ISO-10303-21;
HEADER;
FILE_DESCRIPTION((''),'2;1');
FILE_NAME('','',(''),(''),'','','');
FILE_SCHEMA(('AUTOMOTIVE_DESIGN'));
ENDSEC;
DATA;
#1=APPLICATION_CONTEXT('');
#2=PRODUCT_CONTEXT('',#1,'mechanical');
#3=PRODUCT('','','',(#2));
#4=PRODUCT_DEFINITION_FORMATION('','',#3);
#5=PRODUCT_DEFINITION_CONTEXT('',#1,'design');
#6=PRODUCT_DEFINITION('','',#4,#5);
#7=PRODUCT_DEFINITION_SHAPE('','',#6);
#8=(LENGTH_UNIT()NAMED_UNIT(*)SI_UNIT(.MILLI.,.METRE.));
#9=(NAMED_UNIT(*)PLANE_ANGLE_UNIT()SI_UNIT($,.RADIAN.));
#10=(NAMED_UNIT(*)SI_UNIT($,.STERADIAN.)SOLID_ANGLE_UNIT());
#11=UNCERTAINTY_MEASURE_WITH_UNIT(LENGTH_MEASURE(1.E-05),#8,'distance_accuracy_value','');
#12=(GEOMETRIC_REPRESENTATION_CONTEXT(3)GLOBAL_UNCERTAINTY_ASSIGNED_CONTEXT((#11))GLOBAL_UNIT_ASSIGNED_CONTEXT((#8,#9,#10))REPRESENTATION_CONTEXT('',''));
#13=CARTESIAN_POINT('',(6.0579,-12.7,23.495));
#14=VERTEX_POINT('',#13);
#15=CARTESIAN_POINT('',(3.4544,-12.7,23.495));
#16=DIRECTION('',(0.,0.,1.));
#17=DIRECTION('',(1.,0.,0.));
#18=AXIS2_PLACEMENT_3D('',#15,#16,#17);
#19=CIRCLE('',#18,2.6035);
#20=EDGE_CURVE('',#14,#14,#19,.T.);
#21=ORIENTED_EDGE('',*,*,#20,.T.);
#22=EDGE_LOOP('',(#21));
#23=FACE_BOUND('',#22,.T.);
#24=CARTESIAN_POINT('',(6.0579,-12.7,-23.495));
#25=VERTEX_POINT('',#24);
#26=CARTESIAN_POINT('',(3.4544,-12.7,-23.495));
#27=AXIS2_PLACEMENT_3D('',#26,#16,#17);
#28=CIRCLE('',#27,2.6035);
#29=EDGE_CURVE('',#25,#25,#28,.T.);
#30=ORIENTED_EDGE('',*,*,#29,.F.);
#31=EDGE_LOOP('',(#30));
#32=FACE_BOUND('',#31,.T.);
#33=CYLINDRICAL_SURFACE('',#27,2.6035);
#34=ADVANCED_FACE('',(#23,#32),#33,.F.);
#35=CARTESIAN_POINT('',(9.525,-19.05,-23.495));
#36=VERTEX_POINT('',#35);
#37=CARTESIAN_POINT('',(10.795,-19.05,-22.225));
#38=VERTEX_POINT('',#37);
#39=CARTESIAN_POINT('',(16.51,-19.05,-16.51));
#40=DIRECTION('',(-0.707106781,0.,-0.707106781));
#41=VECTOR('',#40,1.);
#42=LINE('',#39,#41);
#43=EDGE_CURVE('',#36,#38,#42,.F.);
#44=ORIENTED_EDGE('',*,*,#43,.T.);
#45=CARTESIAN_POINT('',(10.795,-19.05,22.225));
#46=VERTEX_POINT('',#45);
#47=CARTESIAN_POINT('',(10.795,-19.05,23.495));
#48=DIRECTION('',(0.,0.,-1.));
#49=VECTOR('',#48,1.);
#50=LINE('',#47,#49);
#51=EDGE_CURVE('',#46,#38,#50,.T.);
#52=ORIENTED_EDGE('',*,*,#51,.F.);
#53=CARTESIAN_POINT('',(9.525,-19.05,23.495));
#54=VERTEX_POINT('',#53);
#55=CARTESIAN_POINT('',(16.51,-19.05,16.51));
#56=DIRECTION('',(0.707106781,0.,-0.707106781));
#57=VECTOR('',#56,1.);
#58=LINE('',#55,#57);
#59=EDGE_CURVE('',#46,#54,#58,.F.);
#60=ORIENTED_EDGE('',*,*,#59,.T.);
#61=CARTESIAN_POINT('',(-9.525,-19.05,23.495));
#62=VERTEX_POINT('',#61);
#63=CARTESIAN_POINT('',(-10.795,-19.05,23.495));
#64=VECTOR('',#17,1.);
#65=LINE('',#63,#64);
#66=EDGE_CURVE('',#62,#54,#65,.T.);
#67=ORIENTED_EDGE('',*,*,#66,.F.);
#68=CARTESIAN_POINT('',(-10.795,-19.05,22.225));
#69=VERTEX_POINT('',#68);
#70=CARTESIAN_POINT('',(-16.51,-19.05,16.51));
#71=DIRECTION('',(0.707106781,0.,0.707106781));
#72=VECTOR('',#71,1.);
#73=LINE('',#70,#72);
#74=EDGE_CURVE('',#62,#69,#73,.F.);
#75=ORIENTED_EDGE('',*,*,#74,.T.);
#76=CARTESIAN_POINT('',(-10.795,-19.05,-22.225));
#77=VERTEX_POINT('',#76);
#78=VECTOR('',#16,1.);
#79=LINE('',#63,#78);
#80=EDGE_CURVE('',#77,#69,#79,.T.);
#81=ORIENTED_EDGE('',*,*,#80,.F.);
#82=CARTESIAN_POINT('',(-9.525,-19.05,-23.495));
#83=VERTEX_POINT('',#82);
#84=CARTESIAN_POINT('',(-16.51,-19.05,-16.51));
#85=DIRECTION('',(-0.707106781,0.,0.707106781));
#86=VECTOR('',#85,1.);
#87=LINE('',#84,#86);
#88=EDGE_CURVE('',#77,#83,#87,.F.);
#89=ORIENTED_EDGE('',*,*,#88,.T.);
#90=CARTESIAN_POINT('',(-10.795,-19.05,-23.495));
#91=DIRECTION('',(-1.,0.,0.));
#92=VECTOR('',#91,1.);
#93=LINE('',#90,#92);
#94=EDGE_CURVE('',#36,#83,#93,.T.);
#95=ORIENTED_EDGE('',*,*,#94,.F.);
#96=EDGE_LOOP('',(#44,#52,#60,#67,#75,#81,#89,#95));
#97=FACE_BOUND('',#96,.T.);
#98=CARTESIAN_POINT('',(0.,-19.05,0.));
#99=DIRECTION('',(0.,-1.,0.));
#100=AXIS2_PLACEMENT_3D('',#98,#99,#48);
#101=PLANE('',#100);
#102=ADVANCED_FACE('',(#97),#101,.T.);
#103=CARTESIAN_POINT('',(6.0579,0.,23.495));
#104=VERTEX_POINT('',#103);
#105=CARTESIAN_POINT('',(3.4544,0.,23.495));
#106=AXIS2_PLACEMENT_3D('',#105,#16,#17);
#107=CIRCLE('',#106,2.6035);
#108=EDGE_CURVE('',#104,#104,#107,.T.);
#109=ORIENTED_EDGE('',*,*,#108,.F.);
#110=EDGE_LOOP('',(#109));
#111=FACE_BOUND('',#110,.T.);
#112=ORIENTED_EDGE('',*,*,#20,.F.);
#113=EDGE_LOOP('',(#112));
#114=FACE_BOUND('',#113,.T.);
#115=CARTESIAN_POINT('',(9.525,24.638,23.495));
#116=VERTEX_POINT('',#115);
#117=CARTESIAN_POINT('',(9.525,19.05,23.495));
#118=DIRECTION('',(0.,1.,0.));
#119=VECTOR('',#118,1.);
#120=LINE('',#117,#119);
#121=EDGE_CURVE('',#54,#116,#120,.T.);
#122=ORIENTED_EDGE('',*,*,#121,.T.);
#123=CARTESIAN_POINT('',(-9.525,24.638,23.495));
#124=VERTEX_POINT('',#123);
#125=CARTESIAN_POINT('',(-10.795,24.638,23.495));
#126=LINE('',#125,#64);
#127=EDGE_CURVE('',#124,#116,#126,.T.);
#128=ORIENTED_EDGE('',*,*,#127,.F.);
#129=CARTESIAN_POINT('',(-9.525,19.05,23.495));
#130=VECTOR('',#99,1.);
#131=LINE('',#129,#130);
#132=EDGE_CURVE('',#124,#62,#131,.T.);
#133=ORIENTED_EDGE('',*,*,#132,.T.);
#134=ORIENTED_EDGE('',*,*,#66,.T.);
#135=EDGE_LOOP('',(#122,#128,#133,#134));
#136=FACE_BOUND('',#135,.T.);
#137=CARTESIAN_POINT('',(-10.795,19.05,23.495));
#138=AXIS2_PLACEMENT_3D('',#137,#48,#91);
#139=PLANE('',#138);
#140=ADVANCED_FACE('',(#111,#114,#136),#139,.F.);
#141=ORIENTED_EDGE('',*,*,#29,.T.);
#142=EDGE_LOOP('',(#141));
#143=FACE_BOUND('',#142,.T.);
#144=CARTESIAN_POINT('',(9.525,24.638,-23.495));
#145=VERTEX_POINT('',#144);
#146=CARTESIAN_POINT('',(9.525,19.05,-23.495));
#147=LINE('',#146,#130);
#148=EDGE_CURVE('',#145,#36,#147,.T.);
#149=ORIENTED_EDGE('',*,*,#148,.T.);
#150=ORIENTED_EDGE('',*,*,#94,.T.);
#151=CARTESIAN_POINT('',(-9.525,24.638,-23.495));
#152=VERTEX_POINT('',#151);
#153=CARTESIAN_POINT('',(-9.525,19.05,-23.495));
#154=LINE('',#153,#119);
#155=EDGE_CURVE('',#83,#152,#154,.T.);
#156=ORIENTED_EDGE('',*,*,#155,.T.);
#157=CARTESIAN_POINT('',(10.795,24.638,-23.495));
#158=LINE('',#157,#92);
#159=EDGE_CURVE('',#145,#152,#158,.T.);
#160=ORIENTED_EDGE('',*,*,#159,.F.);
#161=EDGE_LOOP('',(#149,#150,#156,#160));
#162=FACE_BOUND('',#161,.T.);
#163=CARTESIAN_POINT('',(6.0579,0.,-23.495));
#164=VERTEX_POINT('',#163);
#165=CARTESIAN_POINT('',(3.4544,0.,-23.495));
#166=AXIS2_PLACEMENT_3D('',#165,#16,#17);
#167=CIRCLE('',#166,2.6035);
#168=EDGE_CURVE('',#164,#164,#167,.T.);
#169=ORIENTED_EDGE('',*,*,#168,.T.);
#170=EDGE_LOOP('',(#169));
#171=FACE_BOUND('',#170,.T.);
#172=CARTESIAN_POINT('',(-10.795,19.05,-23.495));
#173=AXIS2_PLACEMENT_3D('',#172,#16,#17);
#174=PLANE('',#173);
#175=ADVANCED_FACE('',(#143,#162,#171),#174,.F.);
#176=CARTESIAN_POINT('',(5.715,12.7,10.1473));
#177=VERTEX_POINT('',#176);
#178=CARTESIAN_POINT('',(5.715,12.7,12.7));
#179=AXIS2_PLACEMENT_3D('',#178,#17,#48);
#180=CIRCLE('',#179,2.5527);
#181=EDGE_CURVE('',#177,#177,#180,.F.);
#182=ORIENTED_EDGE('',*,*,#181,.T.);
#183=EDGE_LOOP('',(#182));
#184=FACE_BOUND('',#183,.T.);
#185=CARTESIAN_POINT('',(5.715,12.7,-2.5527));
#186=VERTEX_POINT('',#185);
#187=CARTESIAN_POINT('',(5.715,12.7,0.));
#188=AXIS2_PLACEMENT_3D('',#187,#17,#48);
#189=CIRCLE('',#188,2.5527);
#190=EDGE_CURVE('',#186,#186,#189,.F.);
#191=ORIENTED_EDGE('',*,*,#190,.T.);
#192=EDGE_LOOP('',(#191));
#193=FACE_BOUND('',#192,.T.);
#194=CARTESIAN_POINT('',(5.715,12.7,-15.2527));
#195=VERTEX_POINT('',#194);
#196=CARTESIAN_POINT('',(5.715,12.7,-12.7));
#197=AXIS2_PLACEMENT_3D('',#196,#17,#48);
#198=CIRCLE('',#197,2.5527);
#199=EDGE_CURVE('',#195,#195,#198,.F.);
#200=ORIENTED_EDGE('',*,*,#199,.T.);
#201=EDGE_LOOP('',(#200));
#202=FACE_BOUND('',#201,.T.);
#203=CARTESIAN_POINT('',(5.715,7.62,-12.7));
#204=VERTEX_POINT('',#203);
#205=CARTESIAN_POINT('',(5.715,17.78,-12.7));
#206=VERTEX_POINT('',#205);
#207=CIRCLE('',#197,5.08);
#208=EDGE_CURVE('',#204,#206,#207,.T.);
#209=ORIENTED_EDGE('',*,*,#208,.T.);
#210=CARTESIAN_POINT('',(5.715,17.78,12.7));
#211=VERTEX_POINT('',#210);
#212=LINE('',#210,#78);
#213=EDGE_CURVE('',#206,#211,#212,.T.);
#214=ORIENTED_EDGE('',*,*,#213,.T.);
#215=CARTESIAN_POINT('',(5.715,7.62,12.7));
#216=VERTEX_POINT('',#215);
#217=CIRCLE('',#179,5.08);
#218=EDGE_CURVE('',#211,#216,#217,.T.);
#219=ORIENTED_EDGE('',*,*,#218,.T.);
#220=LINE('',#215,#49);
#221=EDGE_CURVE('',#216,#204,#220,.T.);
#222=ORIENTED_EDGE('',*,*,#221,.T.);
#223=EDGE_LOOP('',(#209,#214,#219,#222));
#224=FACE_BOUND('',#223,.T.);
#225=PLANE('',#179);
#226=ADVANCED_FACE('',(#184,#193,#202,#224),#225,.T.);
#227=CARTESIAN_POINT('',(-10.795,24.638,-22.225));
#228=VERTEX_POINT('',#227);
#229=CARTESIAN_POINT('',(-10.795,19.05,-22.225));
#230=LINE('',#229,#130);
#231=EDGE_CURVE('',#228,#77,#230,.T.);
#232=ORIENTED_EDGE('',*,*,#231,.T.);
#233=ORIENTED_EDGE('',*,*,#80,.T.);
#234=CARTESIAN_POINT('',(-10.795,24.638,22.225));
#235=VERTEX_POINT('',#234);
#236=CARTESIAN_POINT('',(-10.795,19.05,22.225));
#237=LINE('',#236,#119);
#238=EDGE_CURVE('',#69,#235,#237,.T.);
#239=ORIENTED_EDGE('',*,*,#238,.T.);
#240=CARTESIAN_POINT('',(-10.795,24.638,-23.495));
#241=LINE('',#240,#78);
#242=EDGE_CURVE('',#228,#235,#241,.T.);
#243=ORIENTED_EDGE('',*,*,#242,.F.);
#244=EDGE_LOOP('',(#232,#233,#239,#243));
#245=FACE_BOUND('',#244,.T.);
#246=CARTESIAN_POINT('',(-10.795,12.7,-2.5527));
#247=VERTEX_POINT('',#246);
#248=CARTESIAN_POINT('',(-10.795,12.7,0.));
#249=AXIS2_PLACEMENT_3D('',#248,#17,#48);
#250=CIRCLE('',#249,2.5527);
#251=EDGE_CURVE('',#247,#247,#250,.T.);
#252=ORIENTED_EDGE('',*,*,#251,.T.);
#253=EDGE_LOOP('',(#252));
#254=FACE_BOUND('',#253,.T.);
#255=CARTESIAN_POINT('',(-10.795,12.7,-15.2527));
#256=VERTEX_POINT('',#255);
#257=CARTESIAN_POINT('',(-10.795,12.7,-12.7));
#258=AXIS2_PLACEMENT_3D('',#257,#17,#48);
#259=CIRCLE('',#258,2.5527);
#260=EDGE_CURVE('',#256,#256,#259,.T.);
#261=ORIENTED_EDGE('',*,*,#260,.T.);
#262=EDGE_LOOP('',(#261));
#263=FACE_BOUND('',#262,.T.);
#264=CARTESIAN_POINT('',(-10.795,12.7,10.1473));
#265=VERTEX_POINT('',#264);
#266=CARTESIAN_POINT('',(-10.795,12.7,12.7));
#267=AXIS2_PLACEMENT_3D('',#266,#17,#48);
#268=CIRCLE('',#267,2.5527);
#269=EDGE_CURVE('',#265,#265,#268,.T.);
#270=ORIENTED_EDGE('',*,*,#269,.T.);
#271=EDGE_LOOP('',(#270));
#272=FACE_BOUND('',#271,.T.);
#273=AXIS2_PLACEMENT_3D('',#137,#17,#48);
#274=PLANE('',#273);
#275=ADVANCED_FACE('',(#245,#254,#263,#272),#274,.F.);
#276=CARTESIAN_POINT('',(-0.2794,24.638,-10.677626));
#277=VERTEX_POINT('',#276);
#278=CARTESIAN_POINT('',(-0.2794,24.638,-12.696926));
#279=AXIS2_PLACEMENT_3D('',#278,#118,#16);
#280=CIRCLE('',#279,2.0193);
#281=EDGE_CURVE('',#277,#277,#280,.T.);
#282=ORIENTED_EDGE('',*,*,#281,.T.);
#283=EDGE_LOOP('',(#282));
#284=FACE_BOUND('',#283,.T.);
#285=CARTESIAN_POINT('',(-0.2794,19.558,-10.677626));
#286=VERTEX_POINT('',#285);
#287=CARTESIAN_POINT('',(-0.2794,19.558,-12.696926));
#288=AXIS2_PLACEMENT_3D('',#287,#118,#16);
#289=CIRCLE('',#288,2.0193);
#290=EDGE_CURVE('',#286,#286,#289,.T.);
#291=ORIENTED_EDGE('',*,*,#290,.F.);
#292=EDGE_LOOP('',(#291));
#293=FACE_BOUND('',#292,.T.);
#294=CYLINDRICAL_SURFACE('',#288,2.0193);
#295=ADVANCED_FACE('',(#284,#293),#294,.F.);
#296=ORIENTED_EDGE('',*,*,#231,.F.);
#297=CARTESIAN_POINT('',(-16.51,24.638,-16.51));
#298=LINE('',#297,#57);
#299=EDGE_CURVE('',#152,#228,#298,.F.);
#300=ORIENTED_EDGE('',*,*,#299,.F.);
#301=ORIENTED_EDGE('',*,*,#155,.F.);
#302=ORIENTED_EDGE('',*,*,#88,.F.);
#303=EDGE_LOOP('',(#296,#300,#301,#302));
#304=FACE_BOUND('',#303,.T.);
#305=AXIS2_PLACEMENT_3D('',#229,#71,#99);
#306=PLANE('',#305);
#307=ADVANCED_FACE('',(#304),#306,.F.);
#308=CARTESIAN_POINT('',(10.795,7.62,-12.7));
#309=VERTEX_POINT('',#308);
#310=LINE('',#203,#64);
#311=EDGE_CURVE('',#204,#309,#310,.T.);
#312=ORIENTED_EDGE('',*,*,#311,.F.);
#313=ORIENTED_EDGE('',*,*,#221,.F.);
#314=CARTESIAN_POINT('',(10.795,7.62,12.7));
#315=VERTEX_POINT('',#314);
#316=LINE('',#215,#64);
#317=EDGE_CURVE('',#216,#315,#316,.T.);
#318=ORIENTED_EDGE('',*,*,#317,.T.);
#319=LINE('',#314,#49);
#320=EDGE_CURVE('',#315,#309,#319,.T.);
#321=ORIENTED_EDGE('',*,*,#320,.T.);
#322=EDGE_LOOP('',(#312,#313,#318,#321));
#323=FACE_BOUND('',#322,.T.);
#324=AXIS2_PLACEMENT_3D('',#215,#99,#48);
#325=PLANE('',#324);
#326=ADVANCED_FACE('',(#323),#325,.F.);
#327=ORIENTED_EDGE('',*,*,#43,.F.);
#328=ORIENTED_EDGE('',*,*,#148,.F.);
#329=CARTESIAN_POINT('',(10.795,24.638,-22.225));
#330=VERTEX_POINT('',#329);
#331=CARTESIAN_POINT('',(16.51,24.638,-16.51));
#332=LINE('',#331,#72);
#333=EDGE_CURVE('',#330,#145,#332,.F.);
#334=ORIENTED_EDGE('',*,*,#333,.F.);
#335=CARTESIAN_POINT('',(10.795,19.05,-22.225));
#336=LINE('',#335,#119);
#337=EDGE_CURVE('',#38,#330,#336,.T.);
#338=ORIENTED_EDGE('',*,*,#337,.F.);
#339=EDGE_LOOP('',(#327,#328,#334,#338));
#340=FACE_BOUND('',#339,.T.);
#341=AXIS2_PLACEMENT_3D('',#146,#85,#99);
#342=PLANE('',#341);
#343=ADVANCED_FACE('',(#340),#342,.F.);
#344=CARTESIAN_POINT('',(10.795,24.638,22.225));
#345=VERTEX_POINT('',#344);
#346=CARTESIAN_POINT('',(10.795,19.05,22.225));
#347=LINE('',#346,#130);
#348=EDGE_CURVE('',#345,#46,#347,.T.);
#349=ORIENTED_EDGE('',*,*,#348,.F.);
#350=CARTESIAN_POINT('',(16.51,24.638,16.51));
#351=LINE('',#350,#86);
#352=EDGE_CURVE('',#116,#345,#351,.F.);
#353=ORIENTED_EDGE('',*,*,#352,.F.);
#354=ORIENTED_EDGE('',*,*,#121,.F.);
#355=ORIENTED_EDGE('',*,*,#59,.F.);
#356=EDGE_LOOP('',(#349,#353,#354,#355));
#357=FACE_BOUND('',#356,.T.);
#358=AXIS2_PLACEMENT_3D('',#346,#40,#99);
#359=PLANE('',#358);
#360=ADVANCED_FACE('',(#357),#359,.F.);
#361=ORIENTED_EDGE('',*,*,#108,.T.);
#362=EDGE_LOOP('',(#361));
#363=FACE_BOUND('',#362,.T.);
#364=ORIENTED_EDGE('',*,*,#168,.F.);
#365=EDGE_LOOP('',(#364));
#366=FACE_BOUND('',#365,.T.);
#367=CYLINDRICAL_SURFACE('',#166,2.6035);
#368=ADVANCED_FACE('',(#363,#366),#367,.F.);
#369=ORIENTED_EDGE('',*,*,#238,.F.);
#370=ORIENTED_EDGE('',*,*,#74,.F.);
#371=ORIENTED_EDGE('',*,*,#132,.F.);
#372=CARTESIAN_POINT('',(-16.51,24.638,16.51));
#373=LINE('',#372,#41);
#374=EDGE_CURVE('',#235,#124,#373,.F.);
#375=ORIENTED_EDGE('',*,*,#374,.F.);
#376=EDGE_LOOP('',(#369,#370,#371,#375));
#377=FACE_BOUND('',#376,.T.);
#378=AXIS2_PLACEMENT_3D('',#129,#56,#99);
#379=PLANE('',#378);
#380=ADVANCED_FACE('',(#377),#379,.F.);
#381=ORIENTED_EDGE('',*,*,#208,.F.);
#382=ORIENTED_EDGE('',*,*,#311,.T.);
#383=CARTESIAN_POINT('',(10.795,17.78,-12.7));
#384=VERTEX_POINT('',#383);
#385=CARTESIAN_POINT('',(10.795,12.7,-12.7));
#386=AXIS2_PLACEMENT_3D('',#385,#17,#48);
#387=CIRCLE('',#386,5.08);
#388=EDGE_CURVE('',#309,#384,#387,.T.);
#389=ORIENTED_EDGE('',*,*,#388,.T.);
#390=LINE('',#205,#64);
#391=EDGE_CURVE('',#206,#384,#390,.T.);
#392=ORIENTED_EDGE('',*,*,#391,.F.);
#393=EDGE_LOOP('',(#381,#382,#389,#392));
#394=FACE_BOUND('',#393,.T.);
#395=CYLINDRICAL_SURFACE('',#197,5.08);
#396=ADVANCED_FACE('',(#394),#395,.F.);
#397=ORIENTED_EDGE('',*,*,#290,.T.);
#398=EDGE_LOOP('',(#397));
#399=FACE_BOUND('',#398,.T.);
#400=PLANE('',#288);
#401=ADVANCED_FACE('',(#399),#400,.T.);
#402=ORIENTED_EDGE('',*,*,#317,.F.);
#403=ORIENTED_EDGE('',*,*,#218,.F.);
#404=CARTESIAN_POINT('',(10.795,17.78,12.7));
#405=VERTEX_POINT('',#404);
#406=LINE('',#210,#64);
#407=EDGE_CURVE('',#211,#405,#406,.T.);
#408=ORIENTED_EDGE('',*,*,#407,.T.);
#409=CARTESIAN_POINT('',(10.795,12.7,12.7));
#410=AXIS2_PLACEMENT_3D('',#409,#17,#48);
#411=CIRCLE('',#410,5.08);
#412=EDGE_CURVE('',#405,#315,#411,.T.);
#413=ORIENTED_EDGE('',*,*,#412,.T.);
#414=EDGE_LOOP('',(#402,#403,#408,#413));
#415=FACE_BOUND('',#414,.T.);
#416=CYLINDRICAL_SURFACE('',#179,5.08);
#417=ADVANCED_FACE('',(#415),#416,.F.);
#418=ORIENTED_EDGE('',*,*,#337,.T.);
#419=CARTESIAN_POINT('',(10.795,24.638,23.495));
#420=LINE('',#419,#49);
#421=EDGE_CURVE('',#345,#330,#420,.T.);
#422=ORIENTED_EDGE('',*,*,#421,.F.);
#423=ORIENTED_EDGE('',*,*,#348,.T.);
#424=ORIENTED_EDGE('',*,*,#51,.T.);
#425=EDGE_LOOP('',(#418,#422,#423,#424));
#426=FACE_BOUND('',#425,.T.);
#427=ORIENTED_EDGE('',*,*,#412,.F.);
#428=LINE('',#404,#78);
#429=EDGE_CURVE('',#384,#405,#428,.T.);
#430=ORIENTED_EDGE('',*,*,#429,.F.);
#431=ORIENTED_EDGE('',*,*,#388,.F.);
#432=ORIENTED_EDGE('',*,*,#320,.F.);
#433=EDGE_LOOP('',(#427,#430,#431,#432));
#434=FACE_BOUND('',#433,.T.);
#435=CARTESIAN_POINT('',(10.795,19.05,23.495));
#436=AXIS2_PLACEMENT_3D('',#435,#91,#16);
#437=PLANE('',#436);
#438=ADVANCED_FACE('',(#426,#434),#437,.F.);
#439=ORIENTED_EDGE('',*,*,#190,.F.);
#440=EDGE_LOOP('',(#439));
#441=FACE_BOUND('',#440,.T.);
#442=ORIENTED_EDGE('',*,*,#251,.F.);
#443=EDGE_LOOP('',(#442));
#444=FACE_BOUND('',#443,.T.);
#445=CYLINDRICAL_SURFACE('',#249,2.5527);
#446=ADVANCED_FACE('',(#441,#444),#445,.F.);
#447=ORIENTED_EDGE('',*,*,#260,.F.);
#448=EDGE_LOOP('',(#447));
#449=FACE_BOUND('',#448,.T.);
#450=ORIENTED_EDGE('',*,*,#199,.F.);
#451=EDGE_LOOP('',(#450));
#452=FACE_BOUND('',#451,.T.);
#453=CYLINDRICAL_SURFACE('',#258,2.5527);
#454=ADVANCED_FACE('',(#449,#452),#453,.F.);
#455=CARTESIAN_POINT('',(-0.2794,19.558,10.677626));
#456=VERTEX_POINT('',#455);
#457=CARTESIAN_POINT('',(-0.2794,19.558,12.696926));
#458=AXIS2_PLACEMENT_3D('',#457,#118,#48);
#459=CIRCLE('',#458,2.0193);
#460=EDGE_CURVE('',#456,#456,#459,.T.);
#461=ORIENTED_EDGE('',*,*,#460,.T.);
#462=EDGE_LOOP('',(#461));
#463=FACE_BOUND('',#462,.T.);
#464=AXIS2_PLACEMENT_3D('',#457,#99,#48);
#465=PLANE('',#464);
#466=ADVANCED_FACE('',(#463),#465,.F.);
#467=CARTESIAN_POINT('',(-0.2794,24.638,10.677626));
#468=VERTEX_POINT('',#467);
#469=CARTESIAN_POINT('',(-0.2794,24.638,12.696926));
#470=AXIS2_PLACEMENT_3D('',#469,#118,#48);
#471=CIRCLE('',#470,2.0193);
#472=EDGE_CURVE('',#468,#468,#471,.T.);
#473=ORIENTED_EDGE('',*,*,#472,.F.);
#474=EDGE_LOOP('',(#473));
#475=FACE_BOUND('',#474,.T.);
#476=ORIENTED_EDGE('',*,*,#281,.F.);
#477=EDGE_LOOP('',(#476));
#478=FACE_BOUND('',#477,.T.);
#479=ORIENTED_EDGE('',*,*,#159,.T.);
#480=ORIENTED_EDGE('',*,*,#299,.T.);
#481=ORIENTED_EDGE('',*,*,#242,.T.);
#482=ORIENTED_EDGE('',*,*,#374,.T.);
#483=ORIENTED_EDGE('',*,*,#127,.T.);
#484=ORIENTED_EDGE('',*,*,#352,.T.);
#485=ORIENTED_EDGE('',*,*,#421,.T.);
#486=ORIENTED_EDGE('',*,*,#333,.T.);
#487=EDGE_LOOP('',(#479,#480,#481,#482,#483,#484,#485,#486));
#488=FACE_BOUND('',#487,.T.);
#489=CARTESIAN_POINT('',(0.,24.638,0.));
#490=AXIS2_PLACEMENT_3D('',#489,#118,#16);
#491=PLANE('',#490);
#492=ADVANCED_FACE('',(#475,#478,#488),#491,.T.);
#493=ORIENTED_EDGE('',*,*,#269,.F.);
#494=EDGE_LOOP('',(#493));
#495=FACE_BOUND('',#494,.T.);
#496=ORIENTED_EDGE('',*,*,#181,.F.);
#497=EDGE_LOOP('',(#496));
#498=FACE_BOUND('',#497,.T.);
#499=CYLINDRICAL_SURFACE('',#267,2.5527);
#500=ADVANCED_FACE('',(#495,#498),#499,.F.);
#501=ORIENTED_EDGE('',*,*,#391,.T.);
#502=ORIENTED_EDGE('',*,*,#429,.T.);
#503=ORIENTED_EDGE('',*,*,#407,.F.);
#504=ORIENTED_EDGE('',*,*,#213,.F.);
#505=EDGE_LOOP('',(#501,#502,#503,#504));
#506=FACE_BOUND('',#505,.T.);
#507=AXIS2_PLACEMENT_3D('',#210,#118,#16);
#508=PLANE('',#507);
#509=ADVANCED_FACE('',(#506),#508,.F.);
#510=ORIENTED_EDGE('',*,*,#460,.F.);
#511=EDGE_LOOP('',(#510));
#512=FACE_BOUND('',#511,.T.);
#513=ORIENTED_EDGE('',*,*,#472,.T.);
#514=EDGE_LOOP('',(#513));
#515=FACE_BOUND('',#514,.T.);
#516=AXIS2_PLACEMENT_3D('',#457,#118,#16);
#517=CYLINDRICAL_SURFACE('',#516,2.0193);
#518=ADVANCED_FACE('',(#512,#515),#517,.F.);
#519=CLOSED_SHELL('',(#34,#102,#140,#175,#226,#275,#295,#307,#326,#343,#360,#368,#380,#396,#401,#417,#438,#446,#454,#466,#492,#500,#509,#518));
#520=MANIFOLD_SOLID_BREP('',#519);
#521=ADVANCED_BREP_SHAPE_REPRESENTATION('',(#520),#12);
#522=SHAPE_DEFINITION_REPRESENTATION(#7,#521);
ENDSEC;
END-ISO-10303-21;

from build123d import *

# Parameters (mm, degrees)
SKETCH1_W           = 21.59
SKETCH1_H           = 46.99
BOSS_EXTRUDE1_DEPTH = 19.05
SKETCH2_R           = 2.6035
CUT_EXTRUDE1_DEPTH  = 47.99
SKETCH4_R           = 2.5527
CUT_EXTRUDE3_DEPTH  = 22.59
CUT_EXTRUDE5_DEPTH  = 5.08
SKETCH8_W           = 21.59
SKETCH8_H           = 46.99
BOSS_EXTRUDE2_DEPTH = 5.588
SKETCH9_R           = 2.0193
CUT_EXTRUDE6_DEPTH  = 5.08
CHAMFER1_SIZE       = 1.27


with BuildPart() as part:
    # Sketch1 → Boss-Extrude1 (new body, symmetric)
    with BuildSketch(Plane(origin=(0, 0, 0), x_dir=(1, 0, 0), z_dir=(0, 1, 0))):
        Rectangle(SKETCH1_W, SKETCH1_H)
    extrude(amount=BOSS_EXTRUDE1_DEPTH, both=True)

    # Sketch2 → Cut-Extrude1 (cut, through all)
    with BuildSketch(Plane.XY.offset(23.495)):
        with Locations((3.4544, -12.7)):
            Circle(SKETCH2_R)
        with Locations((3.4544, 0)):
            Circle(SKETCH2_R)
    extrude(amount=-CUT_EXTRUDE1_DEPTH, mode=Mode.SUBTRACT)

    # Sketch4 → Cut-Extrude3 (cut, through all)
    with BuildSketch(Plane(origin=(10.795, 0, 0), x_dir=(0, 0, -1), z_dir=(1, 0, 0))):
        with Locations((-12.7, 12.7)):
            Circle(SKETCH4_R)
        with Locations((12.7, 12.7)):
            Circle(SKETCH4_R)
        with Locations((0, 12.7)):
            Circle(SKETCH4_R)
    extrude(amount=-CUT_EXTRUDE3_DEPTH, mode=Mode.SUBTRACT)

    # Sketch7 → Cut-Extrude5 (cut)
    with BuildSketch(Plane(origin=(10.795, 0, 0), x_dir=(0, 0, -1), z_dir=(1, 0, 0))):
        with BuildLine():
            Line((-12.7, 17.78), (12.7, 17.78))
            ThreePointArc((12.7, 17.78), (17.78, 12.7), (12.7, 7.62))
            Line((12.7, 7.62), (-12.7, 7.62))
            ThreePointArc((-12.7, 7.62), (-17.78, 12.7), (-12.7, 17.78))
        make_face()
    extrude(amount=-CUT_EXTRUDE5_DEPTH, mode=Mode.SUBTRACT)

    # Sketch8 → Boss-Extrude2 (add)
    with BuildSketch(Plane(origin=(0, 19.05, 0), x_dir=(1, 0, 0), z_dir=(0, 1, 0))):
        Rectangle(SKETCH8_W, SKETCH8_H)
    extrude(amount=BOSS_EXTRUDE2_DEPTH)

    # Sketch9 → Cut-Extrude6 (cut)
    with BuildSketch(Plane(origin=(0, 24.638, 0), x_dir=(1, 0, 0), z_dir=(0, 1, 0))):
        with Locations((-0.2794, 12.696926228)):
            Circle(SKETCH9_R)
        with Locations((-0.2794, -12.696926228)):
            Circle(SKETCH9_R)
    extrude(amount=-CUT_EXTRUDE6_DEPTH, mode=Mode.SUBTRACT)

    # Chamfer1
    chamfer1_edges = [part.edges().sort_by_distance(p)[0] for p in [
        (10.795, 2.794, 23.495),
        (-10.795, 2.794, 23.495),
        (-10.795, 2.794, -23.495),
        (10.795, 2.794, -23.495),
    ]]
    chamfer(chamfer1_edges, length=CHAMFER1_SIZE)


solid = part.part
